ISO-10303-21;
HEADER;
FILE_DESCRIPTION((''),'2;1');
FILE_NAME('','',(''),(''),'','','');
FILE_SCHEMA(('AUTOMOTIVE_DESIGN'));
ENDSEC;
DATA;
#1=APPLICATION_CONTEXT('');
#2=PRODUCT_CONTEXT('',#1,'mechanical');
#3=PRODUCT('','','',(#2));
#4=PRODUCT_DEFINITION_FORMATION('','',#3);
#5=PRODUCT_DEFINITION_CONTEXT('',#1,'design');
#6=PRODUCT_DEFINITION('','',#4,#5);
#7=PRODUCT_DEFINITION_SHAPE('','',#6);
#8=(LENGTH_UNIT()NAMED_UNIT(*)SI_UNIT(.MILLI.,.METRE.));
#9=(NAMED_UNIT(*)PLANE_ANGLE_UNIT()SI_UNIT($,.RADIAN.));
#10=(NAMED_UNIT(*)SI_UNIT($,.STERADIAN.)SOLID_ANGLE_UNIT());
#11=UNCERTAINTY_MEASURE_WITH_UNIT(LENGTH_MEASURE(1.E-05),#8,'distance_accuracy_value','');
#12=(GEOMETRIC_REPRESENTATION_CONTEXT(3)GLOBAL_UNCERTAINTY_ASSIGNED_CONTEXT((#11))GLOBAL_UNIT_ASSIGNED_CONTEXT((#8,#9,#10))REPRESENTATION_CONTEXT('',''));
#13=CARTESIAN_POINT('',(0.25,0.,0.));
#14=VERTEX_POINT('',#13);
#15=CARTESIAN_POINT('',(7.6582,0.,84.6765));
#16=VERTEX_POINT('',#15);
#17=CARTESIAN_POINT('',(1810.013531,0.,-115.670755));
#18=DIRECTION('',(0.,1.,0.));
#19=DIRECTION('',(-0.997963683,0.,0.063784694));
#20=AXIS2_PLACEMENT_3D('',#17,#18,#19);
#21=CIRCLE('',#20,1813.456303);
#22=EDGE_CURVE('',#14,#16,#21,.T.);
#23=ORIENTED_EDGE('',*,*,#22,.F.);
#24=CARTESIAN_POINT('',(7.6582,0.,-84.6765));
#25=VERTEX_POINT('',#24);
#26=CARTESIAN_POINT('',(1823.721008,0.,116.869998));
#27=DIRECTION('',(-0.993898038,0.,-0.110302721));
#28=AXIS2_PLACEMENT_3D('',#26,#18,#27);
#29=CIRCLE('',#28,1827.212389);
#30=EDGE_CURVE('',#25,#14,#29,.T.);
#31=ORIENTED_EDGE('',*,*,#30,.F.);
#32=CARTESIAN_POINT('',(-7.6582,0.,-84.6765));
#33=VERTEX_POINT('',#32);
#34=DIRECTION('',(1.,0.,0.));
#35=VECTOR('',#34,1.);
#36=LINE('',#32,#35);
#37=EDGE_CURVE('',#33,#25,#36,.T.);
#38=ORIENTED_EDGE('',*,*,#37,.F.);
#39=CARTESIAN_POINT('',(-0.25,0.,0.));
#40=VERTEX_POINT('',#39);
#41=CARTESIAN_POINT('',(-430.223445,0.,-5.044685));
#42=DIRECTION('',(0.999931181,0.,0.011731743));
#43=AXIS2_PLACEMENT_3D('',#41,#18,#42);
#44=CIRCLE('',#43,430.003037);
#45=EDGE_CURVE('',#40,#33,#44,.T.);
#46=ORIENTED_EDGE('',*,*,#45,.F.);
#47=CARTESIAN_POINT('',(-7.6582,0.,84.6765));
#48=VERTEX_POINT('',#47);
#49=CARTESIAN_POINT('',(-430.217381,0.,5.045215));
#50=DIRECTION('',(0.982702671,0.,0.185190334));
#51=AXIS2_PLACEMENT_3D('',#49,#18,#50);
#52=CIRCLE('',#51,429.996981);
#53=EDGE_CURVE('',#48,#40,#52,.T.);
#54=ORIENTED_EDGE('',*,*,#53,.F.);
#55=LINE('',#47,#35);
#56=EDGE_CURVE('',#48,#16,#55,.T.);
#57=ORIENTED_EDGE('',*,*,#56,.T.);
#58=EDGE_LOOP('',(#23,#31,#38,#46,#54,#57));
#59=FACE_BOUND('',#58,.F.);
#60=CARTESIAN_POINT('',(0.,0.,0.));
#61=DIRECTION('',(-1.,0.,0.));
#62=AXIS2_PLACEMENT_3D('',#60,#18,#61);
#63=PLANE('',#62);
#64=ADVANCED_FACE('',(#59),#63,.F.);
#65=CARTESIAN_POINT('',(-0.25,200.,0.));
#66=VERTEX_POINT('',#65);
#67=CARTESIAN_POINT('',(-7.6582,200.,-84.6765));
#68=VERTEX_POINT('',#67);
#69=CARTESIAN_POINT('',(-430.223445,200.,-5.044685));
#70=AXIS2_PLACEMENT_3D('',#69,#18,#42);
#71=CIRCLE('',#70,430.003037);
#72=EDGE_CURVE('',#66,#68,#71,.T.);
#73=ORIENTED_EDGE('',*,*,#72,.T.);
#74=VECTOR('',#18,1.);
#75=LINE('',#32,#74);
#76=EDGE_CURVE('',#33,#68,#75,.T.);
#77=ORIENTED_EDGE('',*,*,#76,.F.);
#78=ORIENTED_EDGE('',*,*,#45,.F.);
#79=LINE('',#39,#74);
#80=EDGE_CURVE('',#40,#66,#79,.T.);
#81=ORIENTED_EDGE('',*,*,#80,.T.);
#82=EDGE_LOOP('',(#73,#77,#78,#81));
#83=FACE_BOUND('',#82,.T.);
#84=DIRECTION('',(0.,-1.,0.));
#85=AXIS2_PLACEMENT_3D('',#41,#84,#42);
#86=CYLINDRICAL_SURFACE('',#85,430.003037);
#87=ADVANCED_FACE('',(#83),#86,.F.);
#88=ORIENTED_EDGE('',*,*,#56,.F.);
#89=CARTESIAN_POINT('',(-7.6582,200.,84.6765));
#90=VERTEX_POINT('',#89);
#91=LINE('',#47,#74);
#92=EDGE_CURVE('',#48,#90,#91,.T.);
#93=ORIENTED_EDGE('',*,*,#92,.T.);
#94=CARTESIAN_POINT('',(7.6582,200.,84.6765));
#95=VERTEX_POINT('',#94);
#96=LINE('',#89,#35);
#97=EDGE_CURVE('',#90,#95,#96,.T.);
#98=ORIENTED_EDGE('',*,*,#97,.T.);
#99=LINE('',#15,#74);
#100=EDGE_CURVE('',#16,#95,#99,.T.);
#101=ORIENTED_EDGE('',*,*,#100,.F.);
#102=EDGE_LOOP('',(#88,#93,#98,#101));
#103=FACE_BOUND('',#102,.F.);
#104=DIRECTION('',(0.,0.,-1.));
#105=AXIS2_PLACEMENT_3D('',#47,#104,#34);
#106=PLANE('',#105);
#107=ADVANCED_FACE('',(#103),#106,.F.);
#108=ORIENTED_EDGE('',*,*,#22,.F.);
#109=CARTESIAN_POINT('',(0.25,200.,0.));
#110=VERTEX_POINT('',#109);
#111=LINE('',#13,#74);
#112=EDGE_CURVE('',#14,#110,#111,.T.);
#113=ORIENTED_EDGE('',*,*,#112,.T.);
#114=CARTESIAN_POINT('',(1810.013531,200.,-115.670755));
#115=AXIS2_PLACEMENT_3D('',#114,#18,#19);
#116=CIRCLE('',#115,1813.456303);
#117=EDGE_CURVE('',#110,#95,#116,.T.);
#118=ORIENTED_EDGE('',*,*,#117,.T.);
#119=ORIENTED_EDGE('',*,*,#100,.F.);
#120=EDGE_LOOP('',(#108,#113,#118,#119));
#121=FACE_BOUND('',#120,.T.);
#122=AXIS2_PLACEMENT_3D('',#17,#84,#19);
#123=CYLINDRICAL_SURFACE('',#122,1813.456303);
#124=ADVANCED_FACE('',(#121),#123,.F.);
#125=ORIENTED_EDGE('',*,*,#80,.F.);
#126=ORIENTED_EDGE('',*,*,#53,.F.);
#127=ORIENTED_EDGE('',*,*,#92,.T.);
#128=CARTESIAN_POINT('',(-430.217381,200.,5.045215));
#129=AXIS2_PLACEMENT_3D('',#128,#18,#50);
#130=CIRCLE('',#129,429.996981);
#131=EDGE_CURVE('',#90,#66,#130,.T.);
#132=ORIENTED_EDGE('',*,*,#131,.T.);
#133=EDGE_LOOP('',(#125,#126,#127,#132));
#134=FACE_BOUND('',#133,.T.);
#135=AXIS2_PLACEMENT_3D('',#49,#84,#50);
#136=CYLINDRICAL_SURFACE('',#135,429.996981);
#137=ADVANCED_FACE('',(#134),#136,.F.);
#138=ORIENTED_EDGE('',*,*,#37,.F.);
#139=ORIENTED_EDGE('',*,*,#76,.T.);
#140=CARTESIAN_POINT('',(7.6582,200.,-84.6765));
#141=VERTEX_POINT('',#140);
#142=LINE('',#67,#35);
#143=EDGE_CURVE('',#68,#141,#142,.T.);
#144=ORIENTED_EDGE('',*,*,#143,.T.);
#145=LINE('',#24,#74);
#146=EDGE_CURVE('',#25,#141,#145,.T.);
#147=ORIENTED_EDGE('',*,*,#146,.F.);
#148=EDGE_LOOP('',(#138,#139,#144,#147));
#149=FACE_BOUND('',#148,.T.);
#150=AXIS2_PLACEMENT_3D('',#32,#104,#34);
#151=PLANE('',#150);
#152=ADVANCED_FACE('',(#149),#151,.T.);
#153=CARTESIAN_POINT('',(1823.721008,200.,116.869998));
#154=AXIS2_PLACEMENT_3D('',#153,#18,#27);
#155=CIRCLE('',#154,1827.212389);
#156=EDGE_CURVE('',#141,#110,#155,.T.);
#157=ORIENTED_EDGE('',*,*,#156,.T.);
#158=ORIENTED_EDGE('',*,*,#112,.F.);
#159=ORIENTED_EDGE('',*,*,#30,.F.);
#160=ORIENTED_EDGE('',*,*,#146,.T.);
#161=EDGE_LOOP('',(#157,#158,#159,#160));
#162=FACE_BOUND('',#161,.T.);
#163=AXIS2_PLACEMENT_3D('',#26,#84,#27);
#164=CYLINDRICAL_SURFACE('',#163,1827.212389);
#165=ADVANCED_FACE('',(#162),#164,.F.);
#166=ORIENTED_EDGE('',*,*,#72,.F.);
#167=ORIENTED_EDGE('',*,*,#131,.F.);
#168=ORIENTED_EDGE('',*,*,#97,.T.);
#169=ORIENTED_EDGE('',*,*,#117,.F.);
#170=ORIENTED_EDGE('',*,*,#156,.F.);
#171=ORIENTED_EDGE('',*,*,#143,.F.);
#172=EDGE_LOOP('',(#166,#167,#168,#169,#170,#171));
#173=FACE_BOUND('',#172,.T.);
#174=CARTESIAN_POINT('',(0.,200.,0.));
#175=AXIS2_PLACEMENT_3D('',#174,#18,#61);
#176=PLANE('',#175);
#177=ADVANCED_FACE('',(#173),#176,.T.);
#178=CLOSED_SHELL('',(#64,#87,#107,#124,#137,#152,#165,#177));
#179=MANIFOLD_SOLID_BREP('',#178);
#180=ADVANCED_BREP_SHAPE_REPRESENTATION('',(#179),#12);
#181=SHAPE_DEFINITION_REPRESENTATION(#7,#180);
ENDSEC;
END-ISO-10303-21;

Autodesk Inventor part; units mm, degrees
ref_plane "YZ Plane" through (0, 0, 0) normal (1, 0, 0) x (0, 1, 0)
ref_plane "XZ Plane" through (0, 0, 0) normal (0, 1, 0) x (-1, 0, 0)
ref_plane "XY Plane" through (0, 0, 0) normal (0, 0, 1) x (1, 0, 0)
sketch "Sketch1" plane through (0, 0, 0) normal (0, 1, 0) x (-1, 0, 0)
  arc A0 (7.6582, 84.6765) -> (0.25, 0) centre (430.2204, 5.0448) ccw
  line L0 (0.25, 0) -> (7.6582, 84.6765) construction
  line L1 (0.25, 0) -> (85.25, 0) construction
  arc A1 (0.25, 0) -> (7.6582, -84.6765) centre (430.2204, -5.0448) ccw
  line L2 (0.25, 0) -> (7.6582, -84.6765) construction
  line L3 (0.25, 0) -> (85.25, 0) construction
  arc A2 (-0.25, 0) -> (-7.6582, 84.6765) centre (-1809.956, -115.6664) ccw
  line L4 (-0.25, 0) -> (-7.6582, 84.6765) construction
  line L5 (-0.25, 0) -> (84.75, 0) construction
  line L6 (-0.25, 0) -> (84.75, 0) construction
  arc A3 (-7.6582, -84.6765) -> (-0.25, 0) centre (-1823.7815, 116.876) ccw
  line L7 (-0.25, 0) -> (-7.6582, -84.6765) construction
  line L8 (-0.25, 0) -> (84.75, 0) construction
  line L9 (7.6582, 84.6765) -> (-7.6582, 84.6765)
  line L10 (7.6582, -84.6765) -> (-7.6582, -84.6765)
  point P0 (0, 0)
  dimension "d0" = 85
  dimension "d1" = 85
  dimension "d2" = 430
  dimension "d3" = 85
  dimension "d4" = 85
  dimension "d5" = 430
  dimension "d6" = 85
  dimension "d7" = 95
  dimension "d10" = 85
  dimension "d11" = 95
extrude "Extrusion1" add sketch "Sketch1" along normal blind 200
properties part number "rendering_light_sheet"
